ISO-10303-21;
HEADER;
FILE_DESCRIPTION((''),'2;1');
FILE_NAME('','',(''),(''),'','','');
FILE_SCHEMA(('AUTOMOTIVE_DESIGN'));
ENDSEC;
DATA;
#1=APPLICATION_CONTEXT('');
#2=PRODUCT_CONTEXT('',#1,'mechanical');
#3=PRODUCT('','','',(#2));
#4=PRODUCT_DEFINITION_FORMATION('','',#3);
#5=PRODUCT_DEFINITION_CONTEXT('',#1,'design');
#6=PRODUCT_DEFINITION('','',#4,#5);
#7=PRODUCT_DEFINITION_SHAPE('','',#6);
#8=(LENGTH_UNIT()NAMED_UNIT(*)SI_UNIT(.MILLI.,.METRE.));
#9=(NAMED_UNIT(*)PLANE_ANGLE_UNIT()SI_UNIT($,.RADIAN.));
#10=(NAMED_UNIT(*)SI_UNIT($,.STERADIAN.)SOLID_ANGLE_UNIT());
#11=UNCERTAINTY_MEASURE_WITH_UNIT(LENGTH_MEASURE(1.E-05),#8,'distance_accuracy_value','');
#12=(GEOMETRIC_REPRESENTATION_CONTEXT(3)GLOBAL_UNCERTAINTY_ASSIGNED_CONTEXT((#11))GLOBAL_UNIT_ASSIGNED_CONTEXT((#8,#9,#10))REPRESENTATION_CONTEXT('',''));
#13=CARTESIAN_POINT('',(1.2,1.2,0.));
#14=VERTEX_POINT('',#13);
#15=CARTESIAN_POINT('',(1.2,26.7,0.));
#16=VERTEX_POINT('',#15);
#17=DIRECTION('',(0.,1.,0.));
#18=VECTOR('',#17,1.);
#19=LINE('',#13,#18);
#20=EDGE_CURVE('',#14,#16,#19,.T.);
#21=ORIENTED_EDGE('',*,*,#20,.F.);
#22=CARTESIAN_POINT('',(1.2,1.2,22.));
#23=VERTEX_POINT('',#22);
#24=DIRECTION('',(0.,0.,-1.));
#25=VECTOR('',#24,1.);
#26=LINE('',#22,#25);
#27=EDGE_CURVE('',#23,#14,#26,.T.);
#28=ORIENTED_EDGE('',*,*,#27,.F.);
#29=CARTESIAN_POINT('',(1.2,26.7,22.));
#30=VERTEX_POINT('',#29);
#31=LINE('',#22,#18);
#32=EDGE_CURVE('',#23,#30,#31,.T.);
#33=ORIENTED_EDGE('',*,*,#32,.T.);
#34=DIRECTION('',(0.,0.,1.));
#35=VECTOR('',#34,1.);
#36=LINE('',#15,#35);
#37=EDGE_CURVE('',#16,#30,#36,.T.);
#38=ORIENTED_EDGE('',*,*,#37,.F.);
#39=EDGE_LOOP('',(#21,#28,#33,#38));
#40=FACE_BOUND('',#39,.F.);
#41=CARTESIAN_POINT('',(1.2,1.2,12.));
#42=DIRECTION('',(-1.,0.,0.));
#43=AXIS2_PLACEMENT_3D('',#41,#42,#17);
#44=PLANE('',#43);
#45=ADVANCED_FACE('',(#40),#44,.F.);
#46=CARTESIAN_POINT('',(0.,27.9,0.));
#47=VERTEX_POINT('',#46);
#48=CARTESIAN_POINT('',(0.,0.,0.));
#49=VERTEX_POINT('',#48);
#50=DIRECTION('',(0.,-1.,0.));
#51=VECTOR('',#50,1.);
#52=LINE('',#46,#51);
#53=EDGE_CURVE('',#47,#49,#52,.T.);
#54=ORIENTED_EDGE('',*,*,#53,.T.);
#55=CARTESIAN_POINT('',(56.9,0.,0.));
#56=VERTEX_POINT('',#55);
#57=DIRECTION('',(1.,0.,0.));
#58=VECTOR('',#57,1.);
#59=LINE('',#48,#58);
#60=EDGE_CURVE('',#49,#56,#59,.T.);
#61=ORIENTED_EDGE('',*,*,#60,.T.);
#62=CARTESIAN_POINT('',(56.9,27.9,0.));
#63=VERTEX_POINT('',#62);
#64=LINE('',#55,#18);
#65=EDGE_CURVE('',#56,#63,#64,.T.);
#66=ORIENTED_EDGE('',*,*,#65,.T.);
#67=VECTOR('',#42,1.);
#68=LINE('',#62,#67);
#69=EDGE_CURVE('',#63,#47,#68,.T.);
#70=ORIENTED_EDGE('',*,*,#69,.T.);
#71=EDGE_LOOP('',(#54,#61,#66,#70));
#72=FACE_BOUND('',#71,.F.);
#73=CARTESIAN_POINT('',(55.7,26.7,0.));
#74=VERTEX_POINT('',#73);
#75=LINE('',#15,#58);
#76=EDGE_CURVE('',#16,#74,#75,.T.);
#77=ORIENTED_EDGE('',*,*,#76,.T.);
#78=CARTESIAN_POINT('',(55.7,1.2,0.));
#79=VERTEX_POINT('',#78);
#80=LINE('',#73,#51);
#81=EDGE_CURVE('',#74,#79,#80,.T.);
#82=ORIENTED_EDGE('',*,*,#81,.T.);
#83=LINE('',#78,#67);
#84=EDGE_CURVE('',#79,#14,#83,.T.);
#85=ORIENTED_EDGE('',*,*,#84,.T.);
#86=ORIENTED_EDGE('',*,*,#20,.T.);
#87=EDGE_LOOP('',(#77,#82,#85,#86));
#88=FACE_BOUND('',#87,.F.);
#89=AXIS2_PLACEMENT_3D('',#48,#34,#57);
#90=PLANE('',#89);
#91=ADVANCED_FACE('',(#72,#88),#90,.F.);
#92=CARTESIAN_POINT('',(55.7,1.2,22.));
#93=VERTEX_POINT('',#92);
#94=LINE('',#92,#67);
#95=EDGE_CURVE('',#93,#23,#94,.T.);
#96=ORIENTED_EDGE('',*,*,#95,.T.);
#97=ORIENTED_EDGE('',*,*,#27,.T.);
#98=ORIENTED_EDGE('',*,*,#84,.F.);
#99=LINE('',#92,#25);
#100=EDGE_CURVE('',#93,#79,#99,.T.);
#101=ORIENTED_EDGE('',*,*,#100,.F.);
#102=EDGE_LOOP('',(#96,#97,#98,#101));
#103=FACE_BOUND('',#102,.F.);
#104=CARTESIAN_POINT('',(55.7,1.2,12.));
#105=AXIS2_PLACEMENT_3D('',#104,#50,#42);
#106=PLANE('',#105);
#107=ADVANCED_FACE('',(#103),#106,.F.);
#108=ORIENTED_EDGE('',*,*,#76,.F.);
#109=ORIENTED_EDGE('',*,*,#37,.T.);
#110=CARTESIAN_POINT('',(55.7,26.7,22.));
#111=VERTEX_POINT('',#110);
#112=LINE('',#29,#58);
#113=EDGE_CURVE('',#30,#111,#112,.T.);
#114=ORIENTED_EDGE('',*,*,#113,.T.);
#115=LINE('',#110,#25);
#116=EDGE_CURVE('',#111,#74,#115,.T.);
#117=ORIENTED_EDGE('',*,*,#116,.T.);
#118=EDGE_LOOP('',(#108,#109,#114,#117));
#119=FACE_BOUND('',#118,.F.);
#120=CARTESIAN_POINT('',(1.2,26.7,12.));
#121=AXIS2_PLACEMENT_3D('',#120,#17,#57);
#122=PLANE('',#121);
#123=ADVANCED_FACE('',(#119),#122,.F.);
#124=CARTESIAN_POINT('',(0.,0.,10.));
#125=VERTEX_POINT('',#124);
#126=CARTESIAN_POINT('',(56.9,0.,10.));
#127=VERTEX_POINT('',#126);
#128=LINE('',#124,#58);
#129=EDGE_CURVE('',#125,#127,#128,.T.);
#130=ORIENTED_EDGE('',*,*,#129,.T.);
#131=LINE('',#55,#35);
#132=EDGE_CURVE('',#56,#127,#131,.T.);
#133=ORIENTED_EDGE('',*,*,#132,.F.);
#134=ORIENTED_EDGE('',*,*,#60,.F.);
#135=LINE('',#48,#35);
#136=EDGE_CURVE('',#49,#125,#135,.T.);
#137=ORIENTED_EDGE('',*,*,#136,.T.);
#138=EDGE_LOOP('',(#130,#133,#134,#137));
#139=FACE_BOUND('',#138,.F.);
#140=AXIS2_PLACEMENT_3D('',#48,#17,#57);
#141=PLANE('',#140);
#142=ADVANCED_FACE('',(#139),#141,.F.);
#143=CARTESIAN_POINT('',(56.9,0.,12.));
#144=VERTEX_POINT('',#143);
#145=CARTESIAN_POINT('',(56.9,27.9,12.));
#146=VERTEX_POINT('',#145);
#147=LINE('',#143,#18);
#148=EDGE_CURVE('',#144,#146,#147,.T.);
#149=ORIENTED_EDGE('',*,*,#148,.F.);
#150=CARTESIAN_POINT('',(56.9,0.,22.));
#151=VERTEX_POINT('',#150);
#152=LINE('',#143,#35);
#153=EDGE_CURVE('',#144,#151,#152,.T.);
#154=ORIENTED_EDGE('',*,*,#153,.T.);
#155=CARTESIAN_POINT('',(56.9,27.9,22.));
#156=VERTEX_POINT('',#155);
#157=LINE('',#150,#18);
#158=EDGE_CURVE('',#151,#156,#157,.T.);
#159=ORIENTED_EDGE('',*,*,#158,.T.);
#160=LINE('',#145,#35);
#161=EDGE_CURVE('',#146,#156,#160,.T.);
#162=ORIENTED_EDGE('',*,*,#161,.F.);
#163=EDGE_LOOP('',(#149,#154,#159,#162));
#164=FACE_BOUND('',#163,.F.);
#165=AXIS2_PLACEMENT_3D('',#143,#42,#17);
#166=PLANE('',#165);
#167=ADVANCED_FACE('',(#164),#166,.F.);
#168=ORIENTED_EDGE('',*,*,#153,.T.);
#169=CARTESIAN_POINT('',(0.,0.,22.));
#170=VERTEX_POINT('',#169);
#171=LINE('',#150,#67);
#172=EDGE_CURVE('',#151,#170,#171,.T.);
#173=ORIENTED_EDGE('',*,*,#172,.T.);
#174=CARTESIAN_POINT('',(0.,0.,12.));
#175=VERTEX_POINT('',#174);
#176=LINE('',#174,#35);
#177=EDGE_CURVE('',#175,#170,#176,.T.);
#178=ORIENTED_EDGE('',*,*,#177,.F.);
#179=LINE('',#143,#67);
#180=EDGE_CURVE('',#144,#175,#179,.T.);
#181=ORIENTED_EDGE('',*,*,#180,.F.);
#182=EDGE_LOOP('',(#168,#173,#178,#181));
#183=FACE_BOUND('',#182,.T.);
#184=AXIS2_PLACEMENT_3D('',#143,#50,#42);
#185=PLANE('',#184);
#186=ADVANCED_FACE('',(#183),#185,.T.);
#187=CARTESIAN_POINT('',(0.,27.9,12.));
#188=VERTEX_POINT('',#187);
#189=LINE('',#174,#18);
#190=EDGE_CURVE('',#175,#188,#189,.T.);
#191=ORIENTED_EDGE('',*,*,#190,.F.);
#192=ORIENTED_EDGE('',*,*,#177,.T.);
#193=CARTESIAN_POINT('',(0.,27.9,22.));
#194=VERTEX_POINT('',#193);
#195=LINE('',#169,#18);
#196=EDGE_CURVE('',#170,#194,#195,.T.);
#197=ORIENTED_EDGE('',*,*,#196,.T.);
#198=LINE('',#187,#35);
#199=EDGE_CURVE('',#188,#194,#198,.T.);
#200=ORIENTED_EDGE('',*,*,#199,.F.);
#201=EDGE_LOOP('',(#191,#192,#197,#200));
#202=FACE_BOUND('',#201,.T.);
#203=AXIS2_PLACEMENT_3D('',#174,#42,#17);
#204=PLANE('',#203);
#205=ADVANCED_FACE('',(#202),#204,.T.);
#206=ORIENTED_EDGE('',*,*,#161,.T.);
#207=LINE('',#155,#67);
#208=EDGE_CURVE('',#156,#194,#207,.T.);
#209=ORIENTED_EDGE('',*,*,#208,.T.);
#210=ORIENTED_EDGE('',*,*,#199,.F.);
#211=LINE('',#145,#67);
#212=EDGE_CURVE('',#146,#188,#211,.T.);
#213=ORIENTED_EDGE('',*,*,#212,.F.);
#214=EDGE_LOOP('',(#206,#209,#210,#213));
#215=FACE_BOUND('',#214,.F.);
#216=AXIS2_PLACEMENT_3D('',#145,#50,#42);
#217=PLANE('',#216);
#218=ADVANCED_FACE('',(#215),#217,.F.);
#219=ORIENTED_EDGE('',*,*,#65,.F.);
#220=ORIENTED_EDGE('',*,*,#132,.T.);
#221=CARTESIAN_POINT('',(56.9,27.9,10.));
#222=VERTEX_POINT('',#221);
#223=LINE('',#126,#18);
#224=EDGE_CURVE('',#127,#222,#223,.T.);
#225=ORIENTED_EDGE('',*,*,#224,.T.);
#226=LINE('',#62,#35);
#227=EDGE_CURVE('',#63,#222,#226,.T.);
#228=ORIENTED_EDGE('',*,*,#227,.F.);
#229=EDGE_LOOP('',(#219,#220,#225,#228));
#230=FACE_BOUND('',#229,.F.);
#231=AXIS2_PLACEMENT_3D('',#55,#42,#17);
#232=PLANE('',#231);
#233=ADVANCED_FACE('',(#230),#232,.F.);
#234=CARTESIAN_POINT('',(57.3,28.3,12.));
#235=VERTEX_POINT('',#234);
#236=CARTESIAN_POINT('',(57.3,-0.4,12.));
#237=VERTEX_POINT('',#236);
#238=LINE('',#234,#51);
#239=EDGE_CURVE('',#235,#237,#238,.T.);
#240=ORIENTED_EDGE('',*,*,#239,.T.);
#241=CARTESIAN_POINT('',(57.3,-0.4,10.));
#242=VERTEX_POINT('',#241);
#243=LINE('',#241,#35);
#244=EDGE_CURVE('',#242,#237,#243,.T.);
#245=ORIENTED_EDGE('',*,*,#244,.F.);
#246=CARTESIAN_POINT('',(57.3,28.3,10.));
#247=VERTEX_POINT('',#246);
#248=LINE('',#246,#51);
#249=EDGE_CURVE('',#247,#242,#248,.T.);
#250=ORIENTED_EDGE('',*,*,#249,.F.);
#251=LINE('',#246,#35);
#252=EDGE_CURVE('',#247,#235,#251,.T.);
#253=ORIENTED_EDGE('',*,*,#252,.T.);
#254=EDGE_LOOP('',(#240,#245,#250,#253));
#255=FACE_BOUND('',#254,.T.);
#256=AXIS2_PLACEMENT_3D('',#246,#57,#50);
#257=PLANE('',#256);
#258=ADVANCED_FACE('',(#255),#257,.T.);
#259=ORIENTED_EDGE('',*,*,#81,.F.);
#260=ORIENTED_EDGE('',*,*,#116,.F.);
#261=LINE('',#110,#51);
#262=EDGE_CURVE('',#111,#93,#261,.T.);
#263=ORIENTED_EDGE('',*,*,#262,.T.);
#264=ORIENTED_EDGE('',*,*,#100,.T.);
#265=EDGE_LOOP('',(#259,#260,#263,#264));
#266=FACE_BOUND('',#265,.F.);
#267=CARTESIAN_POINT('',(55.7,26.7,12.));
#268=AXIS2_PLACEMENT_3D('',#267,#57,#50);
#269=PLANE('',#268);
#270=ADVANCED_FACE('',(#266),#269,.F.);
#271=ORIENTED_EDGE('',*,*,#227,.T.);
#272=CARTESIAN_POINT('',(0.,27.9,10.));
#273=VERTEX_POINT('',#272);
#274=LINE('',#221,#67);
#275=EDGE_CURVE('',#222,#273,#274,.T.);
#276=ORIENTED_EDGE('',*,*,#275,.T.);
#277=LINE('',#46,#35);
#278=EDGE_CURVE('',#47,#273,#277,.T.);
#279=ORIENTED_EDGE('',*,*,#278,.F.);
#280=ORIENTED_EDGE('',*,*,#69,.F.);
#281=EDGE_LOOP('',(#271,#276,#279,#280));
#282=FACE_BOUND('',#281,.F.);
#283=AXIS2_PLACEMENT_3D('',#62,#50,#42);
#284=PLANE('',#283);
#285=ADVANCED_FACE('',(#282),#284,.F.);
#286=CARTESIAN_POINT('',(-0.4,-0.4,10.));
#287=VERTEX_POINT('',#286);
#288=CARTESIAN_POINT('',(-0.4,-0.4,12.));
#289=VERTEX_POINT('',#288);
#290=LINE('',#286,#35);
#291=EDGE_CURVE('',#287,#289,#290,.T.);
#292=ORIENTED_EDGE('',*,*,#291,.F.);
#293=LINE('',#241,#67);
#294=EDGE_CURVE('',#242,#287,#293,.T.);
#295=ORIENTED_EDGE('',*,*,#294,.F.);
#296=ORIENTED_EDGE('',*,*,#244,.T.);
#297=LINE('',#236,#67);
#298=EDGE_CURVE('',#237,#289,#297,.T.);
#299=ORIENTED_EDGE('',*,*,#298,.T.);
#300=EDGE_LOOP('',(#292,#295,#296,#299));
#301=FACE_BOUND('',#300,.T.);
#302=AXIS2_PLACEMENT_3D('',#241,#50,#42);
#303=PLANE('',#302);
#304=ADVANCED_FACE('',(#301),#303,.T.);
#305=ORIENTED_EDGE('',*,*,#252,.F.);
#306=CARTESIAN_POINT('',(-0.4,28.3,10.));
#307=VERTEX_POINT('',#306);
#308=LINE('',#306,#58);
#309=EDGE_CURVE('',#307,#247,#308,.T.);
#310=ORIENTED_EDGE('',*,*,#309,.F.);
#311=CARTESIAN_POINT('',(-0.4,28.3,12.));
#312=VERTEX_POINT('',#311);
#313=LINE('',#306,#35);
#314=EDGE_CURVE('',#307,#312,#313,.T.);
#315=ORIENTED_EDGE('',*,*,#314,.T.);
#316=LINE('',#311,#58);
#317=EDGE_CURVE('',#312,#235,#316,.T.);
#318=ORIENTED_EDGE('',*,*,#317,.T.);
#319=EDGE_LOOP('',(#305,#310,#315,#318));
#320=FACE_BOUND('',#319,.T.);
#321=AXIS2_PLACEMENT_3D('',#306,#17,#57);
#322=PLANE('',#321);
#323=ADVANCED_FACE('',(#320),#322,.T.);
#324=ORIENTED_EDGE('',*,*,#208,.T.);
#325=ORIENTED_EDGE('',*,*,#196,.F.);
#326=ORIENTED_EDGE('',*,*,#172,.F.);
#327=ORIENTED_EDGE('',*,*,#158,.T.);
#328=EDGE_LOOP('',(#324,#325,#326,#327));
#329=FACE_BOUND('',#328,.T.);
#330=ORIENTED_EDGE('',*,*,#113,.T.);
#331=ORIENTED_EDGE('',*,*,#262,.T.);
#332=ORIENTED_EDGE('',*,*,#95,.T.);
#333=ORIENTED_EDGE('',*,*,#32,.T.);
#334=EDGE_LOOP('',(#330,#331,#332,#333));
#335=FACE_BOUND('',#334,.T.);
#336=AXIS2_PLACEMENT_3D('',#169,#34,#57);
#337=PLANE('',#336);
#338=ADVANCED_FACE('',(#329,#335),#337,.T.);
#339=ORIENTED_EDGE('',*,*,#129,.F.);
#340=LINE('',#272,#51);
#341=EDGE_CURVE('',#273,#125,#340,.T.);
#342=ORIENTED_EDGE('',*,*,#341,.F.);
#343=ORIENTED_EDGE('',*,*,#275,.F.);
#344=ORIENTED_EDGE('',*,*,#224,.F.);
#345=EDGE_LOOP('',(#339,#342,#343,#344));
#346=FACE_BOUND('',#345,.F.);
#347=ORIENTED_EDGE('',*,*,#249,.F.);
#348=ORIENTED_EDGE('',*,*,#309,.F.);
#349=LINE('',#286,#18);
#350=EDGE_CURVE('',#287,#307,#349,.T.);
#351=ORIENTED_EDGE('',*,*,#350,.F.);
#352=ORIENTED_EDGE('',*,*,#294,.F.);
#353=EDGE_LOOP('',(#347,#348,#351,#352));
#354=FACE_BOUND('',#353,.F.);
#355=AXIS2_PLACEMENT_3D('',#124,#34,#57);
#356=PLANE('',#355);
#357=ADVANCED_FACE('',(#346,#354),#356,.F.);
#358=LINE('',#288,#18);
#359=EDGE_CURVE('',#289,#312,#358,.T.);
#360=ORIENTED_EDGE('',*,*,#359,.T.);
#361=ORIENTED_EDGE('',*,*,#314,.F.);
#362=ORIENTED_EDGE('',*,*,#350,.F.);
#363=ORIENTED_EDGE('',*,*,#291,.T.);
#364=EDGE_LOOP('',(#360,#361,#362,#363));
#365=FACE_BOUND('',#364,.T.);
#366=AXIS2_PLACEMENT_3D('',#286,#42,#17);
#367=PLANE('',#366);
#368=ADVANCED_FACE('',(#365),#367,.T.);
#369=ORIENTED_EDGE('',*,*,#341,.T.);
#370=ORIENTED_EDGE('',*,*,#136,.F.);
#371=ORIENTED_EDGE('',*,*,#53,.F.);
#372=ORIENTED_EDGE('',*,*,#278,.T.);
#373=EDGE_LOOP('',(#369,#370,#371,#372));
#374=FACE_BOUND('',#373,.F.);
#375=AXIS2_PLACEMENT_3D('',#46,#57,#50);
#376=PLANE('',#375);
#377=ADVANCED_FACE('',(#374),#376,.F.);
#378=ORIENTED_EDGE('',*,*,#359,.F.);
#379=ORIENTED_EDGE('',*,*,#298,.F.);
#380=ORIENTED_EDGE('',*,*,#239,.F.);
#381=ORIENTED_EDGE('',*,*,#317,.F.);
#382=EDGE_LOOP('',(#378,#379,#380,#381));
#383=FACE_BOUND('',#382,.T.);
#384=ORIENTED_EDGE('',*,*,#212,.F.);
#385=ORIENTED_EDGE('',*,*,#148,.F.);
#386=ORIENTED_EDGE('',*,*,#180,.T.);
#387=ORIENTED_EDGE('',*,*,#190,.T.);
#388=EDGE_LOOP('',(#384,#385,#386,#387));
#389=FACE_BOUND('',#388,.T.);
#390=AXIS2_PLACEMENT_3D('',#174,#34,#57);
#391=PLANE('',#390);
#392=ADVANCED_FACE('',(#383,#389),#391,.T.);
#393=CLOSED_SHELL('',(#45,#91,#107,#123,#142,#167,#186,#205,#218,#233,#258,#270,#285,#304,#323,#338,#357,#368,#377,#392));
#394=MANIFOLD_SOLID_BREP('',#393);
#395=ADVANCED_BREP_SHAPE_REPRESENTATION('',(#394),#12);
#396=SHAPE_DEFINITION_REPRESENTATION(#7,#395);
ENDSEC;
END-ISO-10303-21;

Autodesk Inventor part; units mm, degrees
ref_plane "YZ Plane" through (0, 0, 0) normal (1, 0, 0) x (0, 1, 0)
ref_plane "XZ Plane" through (0, 0, 0) normal (0, 1, 0) x (-1, 0, 0)
ref_plane "XY Plane" through (0, 0, 0) normal (0, 0, 1) x (1, 0, 0)
sketch "Sketch1" plane through (0, 0, 0) normal (0, 0, 1) x (1, 0, 0)
  line L0 (0, 0) -> (56.9, 0)
  line L1 (56.9, 0) -> (56.9, 27.9)
  line L2 (56.9, 27.9) -> (0, 27.9)
  line L3 (0, 27.9) -> (0, 0)
  line L4 (1.2, 26.7) -> (55.7, 26.7)
  line L5 (55.7, 26.7) -> (55.7, 1.2)
  line L6 (55.7, 1.2) -> (1.2, 1.2)
  line L7 (1.2, 1.2) -> (1.2, 26.7)
  dimension "d0" = 56.9
  dimension "d1" = 27.9
  dimension "d2" = 1.2
  dimension "d3" = 1.2
  dimension "d4" = 1.2
  dimension "d5" = 1.2
extrude "Extrusion1" add sketch "Sketch1" along normal blind 10
sketch "Sketch3" plane through (0, 0, 10) normal (0, 0, 1) x (1, 0, 0)
  line L0 (1.2, 26.7) -> (55.7, 26.7) projected
  line L1 (55.7, 26.7) -> (55.7, 1.2) projected
  line L2 (1.2, 26.7) -> (55.7, 26.7)
  line L3 (55.7, 26.7) -> (55.7, 1.2)
  line L4 (55.7, 1.2) -> (1.2, 1.2)
  line L5 (1.2, 1.2) -> (1.2, 26.7)
  line L6 (-0.4, 28.3) -> (57.3, 28.3)
  line L7 (57.3, 28.3) -> (57.3, -0.4)
  line L8 (57.3, -0.4) -> (-0.4, -0.4)
  line L9 (-0.4, -0.4) -> (-0.4, 28.3)
  point P0 (0, 0)
  dimension "d8" = 1.6
  dimension "d9" = 1.6
  dimension "d10" = 1.6
  dimension "d11" = 1.6
extrude "Extrusion2" add sketch "Sketch3" along normal blind 2
sketch "Sketch4" plane through (0, 0, 12) normal (0, 0, 1) x (1, 0, 0)
  line L0 (1.2, 26.7) -> (55.7, 26.7) projected
  line L1 (55.7, 26.7) -> (55.7, 1.2) projected
  line L2 (1.2, 26.7) -> (55.7, 26.7)
  line L3 (55.7, 26.7) -> (55.7, 1.2)
  line L4 (55.7, 1.2) -> (1.2, 1.2)
  line L5 (1.2, 1.2) -> (1.2, 26.7)
  line L6 (56.9, 27.9) -> (0, 27.9) projected
  line L7 (56.9, 0) -> (56.9, 27.9) projected
  line L8 (0, 27.9) -> (56.9, 27.9)
  line L9 (56.9, 27.9) -> (56.9, 0)
  line L10 (56.9, 0) -> (0, 0)
  line L11 (0, 0) -> (0, 27.9)
extrude "Extrusion3" add sketch "Sketch4" along normal blind 10
properties part number "Connector"
